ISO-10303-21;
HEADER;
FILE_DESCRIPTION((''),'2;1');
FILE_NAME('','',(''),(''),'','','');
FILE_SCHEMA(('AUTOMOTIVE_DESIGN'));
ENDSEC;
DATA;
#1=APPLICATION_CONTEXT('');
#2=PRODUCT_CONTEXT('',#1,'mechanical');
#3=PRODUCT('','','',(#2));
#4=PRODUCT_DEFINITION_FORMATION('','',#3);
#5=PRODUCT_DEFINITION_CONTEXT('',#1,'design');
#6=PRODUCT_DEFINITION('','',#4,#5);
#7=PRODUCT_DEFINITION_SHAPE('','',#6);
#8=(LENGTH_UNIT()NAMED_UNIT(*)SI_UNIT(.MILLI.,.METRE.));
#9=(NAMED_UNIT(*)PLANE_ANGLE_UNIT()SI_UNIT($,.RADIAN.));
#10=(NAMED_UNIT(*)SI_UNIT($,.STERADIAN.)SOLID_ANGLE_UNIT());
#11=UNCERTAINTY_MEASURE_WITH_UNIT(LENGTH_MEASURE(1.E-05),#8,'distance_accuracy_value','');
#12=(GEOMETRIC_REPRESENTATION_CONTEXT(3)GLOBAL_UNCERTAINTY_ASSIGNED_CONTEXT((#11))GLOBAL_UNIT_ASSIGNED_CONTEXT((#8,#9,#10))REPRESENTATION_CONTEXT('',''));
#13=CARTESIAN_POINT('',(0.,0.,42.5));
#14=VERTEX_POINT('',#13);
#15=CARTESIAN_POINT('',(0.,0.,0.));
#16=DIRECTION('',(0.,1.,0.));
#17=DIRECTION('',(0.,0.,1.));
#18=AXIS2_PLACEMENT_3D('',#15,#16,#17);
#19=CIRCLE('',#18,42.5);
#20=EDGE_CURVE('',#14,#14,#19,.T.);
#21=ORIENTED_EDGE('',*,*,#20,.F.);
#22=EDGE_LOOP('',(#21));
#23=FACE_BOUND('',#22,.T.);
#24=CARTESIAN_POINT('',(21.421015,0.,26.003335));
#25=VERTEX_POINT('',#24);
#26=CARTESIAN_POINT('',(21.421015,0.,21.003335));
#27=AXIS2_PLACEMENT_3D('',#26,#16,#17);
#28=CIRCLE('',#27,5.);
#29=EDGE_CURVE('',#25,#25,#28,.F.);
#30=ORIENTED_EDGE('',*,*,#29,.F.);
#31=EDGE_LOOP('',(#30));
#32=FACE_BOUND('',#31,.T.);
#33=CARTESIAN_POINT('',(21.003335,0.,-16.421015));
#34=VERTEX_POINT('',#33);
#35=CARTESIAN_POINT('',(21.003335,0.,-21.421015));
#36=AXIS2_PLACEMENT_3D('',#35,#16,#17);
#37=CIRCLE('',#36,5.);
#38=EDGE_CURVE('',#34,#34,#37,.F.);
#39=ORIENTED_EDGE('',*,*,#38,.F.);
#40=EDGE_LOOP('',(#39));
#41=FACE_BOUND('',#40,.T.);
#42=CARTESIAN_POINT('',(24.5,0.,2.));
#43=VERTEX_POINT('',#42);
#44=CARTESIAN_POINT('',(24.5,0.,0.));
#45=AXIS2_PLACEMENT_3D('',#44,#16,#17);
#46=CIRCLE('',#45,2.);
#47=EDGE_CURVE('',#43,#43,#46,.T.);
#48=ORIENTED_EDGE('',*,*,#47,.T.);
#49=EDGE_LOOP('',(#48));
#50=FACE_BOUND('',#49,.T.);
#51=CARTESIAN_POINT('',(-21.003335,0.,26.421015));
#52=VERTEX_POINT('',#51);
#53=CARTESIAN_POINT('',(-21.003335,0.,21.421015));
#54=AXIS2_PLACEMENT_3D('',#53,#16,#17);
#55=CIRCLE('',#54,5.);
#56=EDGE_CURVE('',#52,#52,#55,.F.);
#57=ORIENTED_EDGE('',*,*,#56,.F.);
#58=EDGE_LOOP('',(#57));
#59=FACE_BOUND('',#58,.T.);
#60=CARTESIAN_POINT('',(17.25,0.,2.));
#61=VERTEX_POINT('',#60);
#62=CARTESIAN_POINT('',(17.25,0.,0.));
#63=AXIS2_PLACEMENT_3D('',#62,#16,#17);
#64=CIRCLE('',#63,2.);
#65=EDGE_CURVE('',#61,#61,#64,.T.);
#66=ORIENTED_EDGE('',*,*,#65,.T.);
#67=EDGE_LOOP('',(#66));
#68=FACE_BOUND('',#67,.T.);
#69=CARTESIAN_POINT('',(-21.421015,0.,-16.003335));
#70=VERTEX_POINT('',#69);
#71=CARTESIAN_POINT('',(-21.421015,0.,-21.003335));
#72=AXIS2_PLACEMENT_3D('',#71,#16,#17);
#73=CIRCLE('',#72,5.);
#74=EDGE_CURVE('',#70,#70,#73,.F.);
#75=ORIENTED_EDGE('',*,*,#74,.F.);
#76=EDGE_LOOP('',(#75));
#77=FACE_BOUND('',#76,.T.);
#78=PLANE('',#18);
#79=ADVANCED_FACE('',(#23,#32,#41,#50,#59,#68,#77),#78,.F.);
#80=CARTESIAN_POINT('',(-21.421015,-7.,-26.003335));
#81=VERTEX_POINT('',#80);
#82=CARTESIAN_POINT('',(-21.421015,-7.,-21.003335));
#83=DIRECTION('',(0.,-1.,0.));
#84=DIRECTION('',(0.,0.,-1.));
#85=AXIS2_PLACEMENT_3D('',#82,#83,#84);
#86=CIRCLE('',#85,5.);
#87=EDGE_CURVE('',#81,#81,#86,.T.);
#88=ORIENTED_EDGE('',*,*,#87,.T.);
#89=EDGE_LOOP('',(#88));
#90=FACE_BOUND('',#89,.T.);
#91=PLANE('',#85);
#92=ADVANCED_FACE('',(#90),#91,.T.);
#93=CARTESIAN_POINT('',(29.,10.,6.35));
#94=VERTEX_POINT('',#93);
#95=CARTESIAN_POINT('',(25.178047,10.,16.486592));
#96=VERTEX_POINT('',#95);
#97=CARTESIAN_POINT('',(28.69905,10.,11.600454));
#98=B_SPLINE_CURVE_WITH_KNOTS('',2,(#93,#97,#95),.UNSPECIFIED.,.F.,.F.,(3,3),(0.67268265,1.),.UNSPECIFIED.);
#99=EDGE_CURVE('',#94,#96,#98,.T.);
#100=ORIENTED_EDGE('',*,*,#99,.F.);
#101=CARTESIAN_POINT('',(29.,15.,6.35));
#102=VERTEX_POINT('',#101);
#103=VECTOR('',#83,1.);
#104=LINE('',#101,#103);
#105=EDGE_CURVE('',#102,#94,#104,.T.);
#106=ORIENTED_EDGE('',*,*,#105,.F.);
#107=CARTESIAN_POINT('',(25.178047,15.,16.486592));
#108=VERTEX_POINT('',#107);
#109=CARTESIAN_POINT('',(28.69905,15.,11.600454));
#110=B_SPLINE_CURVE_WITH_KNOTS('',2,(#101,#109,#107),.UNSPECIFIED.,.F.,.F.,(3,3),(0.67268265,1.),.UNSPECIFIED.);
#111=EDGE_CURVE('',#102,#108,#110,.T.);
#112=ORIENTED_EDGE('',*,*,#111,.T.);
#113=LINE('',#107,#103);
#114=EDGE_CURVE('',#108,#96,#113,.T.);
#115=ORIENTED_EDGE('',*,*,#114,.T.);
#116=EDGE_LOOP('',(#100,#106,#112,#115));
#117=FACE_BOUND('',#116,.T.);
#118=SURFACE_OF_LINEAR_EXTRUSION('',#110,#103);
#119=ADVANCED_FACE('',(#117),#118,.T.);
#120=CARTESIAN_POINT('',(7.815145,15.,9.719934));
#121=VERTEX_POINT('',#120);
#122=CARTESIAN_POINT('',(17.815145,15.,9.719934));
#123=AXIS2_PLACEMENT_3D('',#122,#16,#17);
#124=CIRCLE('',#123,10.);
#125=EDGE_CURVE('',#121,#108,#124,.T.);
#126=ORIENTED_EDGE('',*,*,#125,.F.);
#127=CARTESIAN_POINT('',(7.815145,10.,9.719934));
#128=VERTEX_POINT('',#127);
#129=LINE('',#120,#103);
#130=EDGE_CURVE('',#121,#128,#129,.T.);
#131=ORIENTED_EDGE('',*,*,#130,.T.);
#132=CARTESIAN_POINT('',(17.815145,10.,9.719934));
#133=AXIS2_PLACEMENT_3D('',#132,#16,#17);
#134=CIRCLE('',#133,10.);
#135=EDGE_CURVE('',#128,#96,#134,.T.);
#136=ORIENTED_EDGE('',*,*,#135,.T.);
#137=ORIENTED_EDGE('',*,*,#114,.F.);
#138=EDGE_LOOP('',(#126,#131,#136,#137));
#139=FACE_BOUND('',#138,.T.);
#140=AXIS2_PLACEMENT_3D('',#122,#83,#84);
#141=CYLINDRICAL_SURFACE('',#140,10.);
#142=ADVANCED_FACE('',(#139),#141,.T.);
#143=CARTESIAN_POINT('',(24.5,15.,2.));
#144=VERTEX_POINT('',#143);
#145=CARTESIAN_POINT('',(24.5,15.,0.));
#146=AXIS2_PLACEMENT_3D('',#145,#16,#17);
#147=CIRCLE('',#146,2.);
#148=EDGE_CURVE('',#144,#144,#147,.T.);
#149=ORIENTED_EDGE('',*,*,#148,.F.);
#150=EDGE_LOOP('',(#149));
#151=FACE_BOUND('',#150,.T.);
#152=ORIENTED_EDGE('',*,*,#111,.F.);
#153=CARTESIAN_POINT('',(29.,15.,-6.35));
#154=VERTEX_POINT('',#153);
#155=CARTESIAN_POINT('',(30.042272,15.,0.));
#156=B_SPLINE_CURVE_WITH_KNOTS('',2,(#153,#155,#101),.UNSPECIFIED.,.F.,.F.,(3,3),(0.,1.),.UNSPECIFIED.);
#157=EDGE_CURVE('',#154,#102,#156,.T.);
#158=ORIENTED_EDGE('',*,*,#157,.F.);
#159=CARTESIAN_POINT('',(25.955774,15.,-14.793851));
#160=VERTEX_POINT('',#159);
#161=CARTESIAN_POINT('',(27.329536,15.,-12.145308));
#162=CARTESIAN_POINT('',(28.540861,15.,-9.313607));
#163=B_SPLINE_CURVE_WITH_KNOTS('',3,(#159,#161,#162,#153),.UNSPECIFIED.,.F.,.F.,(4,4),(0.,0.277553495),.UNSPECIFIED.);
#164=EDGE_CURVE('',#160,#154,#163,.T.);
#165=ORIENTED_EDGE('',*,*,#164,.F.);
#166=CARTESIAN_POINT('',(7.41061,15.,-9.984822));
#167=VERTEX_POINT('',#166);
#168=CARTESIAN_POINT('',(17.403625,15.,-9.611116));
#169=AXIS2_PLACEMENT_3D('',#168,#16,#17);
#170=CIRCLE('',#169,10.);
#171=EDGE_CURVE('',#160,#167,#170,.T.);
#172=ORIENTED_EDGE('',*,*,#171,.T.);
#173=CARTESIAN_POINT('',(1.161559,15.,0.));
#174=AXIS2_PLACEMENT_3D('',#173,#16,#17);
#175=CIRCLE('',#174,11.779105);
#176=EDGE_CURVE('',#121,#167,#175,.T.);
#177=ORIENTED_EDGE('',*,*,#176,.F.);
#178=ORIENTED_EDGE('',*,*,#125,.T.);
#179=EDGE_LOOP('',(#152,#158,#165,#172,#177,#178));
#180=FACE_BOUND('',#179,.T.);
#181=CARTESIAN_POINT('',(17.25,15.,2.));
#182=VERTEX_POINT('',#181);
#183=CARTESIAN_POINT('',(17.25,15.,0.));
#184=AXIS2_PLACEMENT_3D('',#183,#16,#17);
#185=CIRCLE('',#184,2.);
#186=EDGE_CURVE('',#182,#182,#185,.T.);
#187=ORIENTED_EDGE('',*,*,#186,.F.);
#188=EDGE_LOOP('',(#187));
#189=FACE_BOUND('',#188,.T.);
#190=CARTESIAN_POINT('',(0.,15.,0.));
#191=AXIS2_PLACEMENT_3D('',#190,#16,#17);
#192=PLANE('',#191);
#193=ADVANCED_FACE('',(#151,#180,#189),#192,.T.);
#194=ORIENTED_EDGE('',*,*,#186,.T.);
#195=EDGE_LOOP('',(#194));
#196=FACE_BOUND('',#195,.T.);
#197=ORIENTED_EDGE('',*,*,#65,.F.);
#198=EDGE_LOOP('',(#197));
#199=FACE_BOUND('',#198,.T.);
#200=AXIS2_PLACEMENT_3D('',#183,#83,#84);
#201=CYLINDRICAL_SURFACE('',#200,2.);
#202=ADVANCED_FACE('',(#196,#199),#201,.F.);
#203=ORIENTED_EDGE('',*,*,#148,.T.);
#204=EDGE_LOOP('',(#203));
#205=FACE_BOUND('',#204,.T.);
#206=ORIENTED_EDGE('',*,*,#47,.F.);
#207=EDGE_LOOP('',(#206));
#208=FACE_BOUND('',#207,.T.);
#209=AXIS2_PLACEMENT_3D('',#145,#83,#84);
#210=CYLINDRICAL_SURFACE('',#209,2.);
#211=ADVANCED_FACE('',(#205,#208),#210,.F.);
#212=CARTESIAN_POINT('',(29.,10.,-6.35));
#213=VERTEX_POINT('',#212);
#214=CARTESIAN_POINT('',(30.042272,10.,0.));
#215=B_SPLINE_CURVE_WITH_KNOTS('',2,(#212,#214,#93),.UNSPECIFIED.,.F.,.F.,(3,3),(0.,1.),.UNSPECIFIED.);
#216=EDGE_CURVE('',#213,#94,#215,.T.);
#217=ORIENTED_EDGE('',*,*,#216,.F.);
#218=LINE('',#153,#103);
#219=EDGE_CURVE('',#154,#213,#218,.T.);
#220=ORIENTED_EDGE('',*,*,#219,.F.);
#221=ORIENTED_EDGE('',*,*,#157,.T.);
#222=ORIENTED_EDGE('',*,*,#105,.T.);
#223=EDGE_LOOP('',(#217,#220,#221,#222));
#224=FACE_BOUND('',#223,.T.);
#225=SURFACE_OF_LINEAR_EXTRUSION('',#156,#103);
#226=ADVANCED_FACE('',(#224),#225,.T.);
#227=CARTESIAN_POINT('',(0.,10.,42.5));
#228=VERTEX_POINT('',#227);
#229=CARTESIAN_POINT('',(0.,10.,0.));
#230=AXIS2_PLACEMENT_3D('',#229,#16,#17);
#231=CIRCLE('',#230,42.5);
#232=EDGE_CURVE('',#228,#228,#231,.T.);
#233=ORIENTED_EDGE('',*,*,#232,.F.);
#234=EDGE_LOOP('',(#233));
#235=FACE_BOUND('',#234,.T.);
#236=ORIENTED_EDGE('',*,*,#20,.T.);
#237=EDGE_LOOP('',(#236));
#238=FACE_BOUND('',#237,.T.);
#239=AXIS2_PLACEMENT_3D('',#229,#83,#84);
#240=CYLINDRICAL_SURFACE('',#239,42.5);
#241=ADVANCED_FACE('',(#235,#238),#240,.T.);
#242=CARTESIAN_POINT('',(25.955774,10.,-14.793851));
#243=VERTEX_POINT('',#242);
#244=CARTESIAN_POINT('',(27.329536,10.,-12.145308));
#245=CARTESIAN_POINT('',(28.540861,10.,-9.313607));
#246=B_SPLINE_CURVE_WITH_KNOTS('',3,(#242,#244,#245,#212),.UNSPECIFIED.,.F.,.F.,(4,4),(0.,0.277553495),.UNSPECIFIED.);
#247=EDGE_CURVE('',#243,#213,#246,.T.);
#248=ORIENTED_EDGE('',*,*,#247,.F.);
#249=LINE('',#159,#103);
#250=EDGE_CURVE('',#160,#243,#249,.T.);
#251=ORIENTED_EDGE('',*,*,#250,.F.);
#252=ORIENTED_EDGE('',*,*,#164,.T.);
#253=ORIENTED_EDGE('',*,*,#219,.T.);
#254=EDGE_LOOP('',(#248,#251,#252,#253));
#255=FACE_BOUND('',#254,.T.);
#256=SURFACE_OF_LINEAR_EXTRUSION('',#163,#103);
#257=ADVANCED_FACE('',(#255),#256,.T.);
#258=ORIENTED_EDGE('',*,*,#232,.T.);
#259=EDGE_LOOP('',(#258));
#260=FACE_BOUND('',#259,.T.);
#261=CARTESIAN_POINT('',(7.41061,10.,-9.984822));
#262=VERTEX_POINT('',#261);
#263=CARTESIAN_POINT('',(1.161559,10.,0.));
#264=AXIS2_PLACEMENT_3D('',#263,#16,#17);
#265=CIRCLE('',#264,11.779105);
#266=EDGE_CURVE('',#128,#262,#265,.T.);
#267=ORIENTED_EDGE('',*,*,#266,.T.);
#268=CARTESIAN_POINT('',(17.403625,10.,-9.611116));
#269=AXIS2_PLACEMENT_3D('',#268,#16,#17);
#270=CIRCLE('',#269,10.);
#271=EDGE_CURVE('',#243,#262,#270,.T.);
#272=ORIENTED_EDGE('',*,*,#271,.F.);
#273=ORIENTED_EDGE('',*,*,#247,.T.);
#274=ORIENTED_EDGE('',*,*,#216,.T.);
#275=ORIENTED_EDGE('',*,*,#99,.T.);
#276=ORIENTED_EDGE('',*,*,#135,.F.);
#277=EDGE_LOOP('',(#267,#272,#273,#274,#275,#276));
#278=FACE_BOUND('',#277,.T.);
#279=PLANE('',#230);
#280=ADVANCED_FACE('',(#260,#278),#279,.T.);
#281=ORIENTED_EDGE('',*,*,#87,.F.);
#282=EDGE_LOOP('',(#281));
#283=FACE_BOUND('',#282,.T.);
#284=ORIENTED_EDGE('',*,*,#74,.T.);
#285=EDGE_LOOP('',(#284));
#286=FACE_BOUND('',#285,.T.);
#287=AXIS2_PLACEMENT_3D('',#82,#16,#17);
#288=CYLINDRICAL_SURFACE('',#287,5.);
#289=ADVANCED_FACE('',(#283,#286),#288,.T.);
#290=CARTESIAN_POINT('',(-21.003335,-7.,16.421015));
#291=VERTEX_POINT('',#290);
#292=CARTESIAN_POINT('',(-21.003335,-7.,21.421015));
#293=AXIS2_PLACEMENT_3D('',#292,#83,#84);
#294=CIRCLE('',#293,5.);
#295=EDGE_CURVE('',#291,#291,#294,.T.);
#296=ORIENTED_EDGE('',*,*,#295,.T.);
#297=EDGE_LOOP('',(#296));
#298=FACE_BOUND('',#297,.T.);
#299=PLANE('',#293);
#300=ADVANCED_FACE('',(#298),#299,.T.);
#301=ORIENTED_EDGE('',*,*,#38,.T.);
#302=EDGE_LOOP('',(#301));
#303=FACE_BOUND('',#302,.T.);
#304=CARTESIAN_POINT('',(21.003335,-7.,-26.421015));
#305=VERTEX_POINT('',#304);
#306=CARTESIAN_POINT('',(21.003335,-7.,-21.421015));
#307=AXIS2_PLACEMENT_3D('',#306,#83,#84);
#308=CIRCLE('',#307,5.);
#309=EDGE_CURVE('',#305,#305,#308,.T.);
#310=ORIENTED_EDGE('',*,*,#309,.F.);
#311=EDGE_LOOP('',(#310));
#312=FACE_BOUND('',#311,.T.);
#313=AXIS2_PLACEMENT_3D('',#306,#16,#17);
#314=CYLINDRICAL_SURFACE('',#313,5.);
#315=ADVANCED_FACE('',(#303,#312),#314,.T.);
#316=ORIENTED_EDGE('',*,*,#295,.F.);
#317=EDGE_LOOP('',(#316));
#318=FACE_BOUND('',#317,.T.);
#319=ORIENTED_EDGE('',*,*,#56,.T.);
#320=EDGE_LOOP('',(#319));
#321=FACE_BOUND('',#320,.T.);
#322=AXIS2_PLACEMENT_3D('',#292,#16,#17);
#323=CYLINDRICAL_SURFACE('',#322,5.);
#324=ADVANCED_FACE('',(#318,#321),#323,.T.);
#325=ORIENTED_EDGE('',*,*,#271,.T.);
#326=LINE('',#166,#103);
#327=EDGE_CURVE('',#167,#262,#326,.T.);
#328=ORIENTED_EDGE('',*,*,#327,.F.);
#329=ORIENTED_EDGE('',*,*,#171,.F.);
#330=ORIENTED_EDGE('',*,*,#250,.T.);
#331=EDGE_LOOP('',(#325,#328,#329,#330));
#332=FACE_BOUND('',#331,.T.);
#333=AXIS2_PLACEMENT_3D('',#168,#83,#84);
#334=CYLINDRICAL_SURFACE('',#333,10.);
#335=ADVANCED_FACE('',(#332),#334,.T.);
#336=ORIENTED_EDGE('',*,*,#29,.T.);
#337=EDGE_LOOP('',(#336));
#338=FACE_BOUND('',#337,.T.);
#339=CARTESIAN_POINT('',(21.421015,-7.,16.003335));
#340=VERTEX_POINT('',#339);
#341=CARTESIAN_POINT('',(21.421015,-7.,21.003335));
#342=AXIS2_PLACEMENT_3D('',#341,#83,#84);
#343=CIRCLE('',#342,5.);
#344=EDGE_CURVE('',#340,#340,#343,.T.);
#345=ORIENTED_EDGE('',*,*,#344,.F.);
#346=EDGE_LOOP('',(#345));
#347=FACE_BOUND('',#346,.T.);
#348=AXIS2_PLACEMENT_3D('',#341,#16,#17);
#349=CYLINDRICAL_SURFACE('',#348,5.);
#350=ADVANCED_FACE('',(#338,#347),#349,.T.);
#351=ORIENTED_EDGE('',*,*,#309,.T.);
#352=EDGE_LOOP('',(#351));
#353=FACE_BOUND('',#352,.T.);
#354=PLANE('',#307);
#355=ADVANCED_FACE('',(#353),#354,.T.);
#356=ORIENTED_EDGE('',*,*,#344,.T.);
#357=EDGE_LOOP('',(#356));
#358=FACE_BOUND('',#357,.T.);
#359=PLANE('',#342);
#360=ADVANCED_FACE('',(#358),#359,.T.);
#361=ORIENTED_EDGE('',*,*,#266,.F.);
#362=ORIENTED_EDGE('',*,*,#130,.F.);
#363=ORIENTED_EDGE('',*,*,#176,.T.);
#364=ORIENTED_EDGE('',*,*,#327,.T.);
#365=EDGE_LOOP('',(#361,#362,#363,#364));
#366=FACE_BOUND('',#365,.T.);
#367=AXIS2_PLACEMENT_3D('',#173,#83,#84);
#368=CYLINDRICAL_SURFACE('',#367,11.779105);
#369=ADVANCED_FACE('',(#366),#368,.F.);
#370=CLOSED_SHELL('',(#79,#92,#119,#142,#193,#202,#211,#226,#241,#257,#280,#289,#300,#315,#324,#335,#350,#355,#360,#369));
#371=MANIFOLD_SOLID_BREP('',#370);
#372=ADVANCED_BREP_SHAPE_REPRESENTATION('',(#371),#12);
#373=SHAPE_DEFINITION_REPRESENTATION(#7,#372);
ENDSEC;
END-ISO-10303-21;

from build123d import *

# Parameters (mm, degrees)
SKETCH1_R               = 42.5
BOSS_EXTRUDE1_DEPTH     = 10
SKETCH2_R               = 5
BOSS_EXTRUDE2_DEPTH     = 7
SKETCH3_R               = 2
BOSS_EXTRUDE3_DEPTH     = 5
CUT_EXTRUDE1_DEPTH      = 63.461988577
CUT_EXTRUDE1_DEPTH_BACK = 63.461988577
SKETCH3_4_R             = 2


with BuildPart() as part:
    # Sketch1 → Boss-Extrude1 (new body)
    with BuildSketch(Plane(origin=(0, 0, 0), x_dir=(1, 0, 0), z_dir=(0, 1, 0))):
        Circle(SKETCH1_R)
    extrude(amount=BOSS_EXTRUDE1_DEPTH)

    # Sketch2 → Boss-Extrude2 (add)
    with BuildSketch(Plane.XZ):
        with Locations((-21.003335433, 21.421015399)):
            Circle(SKETCH2_R)
        with Locations((21.421015399, 21.003335433)):
            Circle(SKETCH2_R)
        with Locations((21.003335433, -21.421015399)):
            Circle(SKETCH2_R)
        with Locations((-21.421015399, -21.003335433)):
            Circle(SKETCH2_R)
    extrude(amount=BOSS_EXTRUDE2_DEPTH)

    # Sketch3 → Boss-Extrude3 (add)
    with BuildSketch(Plane(origin=(0, 10, 0), x_dir=(1, 0, 0), z_dir=(0, 1, 0))):
        with BuildLine():
            ThreePointArc((7.410610084, 9.984822024), (12.938182194, 0.241771609), (7.815144583, -9.719933589))
            ThreePointArc((7.815144583, -9.719933589), (14.183962111, -19.037364236), (25.178047354, -16.486591759))
            add(Edge.make_bspline(
                [(29, -6.35), (28.699050384, -11.600454078), (25.178047354, -16.486591759)],
                knots=[0.67268265, 0.67268265, 0.67268265, 1, 1, 1], degree=2))
            add(Edge.make_bspline(
                [(29, 6.35), (30.042272144, 0), (29, -6.35)],
                knots=[0, 0, 0, 1, 1, 1], degree=2))
            add(Edge.make_bspline(
                [(26.688052402, 13.325870914), (27.746594537, 11.107404767), (28.624649084, 8.772780294), (29, 6.35)],
                knots=[0.050650552, 0.050650552, 0.050650552, 0.050650552, 0.277553495, 0.277553495, 0.277553495, 0.277553495], degree=3))
            add(Edge.make_bspline(
                [(25.95577439, 14.793850517), (26.206471304, 14.310519768), (26.451758672, 13.821089407), (26.688052402, 13.325870914)],
                knots=[0, 0, 0, 0, 0.050650552, 0.050650552, 0.050650552, 0.050650552], degree=3))
            ThreePointArc((25.95577439, 14.793850517), (14.893502945, 19.290955178), (7.410610084, 9.984822024))
        make_face()
        with Locations((24.5, 0)):
            Circle(SKETCH3_R, mode=Mode.SUBTRACT)
        with Locations((17.25, 0)):
            Circle(SKETCH3_R, mode=Mode.SUBTRACT)
    extrude(amount=BOSS_EXTRUDE3_DEPTH)

    # Sketch3<4> → Cut-Extrude1 (cut, two sides: drawn at the far end of the back side and taken through both)
    with BuildSketch(Plane(origin=(0, 10, 0), x_dir=(1, 0, 0), z_dir=(0, 1, 0)).offset(-CUT_EXTRUDE1_DEPTH_BACK)):
        with Locations((17.25, 0)):
            Circle(SKETCH3_4_R)
        with Locations((24.5, 0)):
            Circle(SKETCH3_4_R)
    extrude(amount=CUT_EXTRUDE1_DEPTH + CUT_EXTRUDE1_DEPTH_BACK, mode=Mode.SUBTRACT)


solid = part.part
